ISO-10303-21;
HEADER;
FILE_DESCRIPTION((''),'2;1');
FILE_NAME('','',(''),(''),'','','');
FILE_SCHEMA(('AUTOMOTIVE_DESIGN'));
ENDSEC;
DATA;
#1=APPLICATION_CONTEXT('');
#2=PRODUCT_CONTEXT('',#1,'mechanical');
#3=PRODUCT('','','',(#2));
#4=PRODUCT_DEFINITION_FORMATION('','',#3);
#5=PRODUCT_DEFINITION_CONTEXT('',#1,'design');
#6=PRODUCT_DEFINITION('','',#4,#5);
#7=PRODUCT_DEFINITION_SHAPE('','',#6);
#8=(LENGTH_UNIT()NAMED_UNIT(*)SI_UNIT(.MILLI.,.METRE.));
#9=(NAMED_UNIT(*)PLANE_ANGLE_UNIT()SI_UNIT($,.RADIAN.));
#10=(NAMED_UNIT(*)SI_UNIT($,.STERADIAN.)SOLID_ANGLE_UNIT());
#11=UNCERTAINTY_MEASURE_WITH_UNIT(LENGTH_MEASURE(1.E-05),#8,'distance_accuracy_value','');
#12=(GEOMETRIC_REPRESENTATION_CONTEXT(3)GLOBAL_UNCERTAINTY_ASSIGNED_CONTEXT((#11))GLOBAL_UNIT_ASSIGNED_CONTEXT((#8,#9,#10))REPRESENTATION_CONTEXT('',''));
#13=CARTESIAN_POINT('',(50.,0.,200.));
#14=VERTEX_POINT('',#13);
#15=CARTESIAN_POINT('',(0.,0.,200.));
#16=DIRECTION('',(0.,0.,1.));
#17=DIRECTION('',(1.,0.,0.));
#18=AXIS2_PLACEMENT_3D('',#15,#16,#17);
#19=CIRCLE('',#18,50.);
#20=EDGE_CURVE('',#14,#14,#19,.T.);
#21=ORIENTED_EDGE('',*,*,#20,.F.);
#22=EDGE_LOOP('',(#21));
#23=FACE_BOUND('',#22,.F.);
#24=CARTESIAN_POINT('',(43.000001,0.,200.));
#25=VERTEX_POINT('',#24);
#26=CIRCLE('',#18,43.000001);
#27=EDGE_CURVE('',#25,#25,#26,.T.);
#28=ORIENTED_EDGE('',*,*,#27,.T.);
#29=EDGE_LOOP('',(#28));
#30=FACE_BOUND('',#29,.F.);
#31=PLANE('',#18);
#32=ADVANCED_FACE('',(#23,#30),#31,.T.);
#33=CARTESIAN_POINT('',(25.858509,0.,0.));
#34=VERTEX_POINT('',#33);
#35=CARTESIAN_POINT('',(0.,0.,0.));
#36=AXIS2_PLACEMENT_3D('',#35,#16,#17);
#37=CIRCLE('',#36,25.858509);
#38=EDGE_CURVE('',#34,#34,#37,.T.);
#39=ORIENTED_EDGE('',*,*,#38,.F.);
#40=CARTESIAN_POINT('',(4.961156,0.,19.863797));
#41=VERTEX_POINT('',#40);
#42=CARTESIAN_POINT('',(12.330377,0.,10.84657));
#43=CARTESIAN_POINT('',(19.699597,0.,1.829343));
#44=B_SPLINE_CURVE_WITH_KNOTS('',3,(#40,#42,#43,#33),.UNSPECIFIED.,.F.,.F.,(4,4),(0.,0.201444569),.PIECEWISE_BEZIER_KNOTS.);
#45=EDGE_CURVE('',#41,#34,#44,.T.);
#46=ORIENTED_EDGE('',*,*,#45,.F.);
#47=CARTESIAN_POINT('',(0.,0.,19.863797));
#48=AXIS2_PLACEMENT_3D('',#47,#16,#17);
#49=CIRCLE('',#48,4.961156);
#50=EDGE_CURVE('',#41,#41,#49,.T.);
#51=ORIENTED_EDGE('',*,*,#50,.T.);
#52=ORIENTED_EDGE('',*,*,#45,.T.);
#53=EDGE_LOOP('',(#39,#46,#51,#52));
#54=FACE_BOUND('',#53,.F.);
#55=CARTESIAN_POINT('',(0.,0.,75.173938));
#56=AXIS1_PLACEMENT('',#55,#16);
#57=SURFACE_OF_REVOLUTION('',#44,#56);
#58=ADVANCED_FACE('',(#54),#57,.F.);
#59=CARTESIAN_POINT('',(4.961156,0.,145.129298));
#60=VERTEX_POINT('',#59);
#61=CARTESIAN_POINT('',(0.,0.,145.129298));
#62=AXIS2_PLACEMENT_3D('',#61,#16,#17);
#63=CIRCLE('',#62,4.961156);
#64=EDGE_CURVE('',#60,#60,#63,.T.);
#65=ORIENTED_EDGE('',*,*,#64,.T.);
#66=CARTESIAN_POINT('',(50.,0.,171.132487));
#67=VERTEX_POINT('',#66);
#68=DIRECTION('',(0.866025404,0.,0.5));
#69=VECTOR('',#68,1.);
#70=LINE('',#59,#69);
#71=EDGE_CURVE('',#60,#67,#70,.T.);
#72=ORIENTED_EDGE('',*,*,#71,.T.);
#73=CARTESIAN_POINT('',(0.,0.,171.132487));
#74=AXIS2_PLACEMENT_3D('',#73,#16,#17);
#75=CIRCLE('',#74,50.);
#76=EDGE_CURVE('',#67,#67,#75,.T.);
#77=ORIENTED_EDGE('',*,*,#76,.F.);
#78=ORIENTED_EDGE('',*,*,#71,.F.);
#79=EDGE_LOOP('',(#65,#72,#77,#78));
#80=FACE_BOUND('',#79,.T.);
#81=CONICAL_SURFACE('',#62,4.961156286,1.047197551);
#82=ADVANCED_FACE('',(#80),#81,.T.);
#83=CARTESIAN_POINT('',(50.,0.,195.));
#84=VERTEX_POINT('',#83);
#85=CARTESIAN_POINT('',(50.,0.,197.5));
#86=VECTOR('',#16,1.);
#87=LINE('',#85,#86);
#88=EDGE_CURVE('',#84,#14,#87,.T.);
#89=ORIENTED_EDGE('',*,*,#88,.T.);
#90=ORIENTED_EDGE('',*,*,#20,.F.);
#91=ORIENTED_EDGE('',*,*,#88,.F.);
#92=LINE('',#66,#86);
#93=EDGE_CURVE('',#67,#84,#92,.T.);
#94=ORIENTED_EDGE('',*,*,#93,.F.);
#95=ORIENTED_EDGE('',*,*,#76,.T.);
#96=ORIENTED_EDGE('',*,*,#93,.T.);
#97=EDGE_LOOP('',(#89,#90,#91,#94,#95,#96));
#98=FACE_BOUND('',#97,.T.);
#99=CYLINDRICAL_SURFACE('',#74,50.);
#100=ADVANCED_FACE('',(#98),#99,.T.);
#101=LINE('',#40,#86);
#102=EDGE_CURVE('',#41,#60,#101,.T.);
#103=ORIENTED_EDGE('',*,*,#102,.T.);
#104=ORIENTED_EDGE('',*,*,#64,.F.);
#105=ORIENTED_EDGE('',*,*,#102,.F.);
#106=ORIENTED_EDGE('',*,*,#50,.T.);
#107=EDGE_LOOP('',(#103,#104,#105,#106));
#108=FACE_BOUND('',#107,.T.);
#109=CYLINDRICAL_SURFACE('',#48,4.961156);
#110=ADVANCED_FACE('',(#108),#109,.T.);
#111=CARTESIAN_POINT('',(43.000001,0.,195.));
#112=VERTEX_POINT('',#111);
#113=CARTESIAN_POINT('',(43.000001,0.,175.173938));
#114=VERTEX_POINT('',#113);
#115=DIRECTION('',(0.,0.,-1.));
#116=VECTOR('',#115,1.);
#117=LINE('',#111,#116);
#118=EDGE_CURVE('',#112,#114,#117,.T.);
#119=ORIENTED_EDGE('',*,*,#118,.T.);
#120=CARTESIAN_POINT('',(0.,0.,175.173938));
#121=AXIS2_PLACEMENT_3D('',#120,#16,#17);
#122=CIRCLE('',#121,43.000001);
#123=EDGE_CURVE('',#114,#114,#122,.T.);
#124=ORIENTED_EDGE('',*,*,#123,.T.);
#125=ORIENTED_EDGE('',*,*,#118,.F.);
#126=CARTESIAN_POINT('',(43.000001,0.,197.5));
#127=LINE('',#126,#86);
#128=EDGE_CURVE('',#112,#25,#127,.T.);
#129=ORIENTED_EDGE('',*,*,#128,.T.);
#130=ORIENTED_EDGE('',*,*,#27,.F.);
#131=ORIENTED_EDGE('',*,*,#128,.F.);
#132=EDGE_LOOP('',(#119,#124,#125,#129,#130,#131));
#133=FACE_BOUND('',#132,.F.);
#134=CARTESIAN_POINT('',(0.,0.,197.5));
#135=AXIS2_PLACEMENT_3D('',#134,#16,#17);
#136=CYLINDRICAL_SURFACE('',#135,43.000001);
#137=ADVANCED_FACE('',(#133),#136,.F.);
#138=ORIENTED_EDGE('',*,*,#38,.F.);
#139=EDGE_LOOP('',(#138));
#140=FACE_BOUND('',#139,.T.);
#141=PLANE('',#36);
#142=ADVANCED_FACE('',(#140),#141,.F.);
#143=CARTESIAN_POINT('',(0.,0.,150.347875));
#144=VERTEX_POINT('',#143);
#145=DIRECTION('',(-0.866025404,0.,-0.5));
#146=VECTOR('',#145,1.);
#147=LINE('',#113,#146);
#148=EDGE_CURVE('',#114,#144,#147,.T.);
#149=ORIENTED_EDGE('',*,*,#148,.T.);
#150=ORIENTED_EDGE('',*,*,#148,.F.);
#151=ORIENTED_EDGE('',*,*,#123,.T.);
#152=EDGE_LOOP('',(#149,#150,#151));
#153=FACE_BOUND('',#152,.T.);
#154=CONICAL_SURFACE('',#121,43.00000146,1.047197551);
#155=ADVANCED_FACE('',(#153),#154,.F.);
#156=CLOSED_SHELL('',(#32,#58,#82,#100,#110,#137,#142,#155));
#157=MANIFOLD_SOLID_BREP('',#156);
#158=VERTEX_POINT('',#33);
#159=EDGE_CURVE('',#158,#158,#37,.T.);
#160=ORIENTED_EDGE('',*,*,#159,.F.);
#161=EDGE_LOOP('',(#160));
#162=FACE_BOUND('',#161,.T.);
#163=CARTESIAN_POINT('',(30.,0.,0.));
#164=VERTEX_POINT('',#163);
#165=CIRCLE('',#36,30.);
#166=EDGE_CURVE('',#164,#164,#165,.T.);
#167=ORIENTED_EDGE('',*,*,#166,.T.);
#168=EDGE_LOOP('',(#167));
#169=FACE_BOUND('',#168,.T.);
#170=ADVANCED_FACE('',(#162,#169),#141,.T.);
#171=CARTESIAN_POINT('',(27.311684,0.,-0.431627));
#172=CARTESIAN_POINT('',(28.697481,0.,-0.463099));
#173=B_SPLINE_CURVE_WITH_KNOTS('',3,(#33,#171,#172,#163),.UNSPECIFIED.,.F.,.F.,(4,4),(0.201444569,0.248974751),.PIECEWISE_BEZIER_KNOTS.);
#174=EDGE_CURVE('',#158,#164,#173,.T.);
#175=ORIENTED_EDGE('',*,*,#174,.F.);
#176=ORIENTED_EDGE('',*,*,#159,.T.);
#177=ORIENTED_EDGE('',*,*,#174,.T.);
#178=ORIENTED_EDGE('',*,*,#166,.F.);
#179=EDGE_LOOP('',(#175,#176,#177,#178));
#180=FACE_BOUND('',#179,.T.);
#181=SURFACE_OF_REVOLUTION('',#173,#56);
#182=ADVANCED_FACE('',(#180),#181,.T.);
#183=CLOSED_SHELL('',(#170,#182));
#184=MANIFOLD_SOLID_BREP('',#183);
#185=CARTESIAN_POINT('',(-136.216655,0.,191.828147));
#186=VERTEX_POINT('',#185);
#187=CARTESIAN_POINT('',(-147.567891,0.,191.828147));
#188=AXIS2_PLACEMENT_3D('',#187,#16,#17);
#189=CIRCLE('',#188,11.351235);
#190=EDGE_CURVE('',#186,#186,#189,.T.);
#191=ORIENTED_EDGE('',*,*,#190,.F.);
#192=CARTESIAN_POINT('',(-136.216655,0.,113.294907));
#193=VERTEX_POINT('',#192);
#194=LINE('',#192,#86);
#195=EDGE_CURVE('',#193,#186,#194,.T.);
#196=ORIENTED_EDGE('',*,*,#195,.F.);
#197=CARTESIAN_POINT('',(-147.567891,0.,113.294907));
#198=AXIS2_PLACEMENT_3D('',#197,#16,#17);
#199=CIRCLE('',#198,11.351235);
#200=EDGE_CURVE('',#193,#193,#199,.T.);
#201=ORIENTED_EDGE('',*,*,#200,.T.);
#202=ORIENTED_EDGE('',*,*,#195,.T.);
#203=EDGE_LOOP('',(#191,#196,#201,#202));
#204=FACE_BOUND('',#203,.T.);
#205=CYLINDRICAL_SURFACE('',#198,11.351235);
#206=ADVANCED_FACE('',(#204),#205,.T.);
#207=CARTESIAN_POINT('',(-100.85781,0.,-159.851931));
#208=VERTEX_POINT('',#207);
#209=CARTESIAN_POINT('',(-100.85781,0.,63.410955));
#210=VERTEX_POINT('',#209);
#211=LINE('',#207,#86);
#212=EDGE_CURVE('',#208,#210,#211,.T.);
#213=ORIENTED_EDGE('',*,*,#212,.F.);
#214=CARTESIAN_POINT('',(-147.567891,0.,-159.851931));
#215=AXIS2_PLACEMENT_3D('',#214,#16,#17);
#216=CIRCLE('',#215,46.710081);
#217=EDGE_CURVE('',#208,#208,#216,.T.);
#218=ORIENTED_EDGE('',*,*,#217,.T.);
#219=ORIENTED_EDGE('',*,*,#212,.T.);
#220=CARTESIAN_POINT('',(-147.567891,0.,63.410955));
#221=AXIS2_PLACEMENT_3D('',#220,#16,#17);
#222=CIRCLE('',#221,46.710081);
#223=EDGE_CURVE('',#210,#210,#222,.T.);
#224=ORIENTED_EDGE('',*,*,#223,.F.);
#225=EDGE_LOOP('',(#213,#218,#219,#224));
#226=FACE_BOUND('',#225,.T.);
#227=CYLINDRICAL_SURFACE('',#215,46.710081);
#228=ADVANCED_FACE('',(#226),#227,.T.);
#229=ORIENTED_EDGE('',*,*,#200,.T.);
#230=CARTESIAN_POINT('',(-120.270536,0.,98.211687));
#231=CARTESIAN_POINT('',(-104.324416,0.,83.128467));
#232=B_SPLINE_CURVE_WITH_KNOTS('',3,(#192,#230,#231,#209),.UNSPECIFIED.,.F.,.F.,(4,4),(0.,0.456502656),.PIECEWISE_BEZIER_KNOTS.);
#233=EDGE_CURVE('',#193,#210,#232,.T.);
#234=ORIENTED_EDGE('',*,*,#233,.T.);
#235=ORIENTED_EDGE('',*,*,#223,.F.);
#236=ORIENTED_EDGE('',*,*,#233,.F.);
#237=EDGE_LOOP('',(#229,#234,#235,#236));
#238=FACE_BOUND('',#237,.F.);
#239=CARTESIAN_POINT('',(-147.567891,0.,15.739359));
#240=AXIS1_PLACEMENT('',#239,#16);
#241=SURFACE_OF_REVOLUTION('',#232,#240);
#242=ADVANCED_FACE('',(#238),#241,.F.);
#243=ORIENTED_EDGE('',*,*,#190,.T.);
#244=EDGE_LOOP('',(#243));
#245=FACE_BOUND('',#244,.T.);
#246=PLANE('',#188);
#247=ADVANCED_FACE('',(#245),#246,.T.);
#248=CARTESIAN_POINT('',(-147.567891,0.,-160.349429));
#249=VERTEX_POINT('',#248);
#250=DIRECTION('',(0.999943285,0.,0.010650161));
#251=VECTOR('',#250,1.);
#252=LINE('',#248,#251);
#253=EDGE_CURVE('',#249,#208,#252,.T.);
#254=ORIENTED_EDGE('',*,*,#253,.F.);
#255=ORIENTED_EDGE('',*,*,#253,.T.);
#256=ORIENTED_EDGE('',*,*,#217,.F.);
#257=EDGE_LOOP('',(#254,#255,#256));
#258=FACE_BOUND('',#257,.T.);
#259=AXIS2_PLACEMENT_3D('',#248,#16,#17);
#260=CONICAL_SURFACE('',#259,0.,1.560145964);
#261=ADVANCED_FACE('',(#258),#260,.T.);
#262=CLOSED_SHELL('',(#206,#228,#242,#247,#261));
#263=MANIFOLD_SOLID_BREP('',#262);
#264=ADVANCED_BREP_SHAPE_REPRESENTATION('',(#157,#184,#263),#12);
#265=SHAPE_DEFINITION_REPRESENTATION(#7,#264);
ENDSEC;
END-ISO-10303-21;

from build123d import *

# Parameters (mm, degrees)
F0_W = 6.9999985397
F0_H = 5


with BuildPart() as f1:
    # F0 (on Front) → F1 (revolve)
    with BuildSketch(Plane.XZ):
        with BuildLine():
            Line((30, 0), (25.8585092875, 0))
            add(Edge.make_bspline(
                [(25.8585092875, 0), (27.3116843389, -0.4316274096), (28.6974805174, -0.4630992086), (30, 0)],
                knots=[0.2014445689, 0.2014445689, 0.2014445689, 0.2014445689, 0.2489747507, 0.2489747507, 0.2489747507, 0.2489747507], degree=3))
        make_face()
    revolve(axis=Axis((0, 0, 75.1739375817), (0, 0, 1)))


with BuildPart() as f1b:
    # F0 (on Front) → F1, piece 2 (revolve)
    with BuildSketch(Plane.XZ):
        with BuildLine():
            Line((0, 142.264973081), (0, 0))
            Line((0, 0), (25.8585092875, 0))
            add(Edge.make_bspline(
                [(4.9611562863, 19.8637973517), (12.3303766325, 10.8465700925), (19.6995969787, 1.8293428333), (25.8585092875, 0)],
                knots=[0, 0, 0, 0, 0.2014445689, 0.2014445689, 0.2014445689, 0.2014445689], degree=3))
            Line((4.9611562863, 19.8637973517), (4.9611562863, 145.1292979984))
            Line((4.9611562863, 145.1292979984), (0, 142.264973081))
        make_face()
        Polygon((0, 150.3478751635), (0, 142.264973081), (4.9611562863, 145.1292979984), (50, 171.1324865405), (50, 195), (43.0000014603, 195), (43.0000014603, 175.1739375817), align=None)
        with Locations((46.5000007302, 197.5)):
            Rectangle(F0_W, F0_H)
    revolve(axis=Axis((0, 0, 75.1739375817), (0, 0, 1)))


with BuildPart() as f3:
    # F2 (on Front) → F3 (revolve)
    with BuildSketch(Plane.XZ):
        with BuildLine():
            Line((-147.5678905943, 191.8281465769), (-147.5678905943, -160.3494286537))
            Line((-147.5678905943, -160.3494286537), (-100.8578097971, -159.8519305577))
            Line((-100.8578097971, -159.8519305577), (-100.8578097971, 44.280486039))
            Line((-100.8578097971, 44.280486039), (-100.8578097971, 63.4109550445))
            add(Edge.make_bspline(
                [(-136.2166553736, 113.2949069142), (-120.2705357988, 98.2116867745), (-104.3244162241, 83.1284666349), (-100.8578097971, 63.4109550445)],
                knots=[0, 0, 0, 0, 0.4565026562, 0.4565026562, 0.4565026562, 0.4565026562], degree=3))
            Line((-136.2166553736, 113.2949069142), (-136.2166553736, 191.8281465769))
            Line((-136.2166553736, 191.8281465769), (-147.5678905943, 191.8281465769))
        make_face()
    revolve(axis=Axis((-147.5678905943, 0, 15.7393589616), (0, 0, 1)))


solid = Compound([f1.part, f1b.part, f3.part])
